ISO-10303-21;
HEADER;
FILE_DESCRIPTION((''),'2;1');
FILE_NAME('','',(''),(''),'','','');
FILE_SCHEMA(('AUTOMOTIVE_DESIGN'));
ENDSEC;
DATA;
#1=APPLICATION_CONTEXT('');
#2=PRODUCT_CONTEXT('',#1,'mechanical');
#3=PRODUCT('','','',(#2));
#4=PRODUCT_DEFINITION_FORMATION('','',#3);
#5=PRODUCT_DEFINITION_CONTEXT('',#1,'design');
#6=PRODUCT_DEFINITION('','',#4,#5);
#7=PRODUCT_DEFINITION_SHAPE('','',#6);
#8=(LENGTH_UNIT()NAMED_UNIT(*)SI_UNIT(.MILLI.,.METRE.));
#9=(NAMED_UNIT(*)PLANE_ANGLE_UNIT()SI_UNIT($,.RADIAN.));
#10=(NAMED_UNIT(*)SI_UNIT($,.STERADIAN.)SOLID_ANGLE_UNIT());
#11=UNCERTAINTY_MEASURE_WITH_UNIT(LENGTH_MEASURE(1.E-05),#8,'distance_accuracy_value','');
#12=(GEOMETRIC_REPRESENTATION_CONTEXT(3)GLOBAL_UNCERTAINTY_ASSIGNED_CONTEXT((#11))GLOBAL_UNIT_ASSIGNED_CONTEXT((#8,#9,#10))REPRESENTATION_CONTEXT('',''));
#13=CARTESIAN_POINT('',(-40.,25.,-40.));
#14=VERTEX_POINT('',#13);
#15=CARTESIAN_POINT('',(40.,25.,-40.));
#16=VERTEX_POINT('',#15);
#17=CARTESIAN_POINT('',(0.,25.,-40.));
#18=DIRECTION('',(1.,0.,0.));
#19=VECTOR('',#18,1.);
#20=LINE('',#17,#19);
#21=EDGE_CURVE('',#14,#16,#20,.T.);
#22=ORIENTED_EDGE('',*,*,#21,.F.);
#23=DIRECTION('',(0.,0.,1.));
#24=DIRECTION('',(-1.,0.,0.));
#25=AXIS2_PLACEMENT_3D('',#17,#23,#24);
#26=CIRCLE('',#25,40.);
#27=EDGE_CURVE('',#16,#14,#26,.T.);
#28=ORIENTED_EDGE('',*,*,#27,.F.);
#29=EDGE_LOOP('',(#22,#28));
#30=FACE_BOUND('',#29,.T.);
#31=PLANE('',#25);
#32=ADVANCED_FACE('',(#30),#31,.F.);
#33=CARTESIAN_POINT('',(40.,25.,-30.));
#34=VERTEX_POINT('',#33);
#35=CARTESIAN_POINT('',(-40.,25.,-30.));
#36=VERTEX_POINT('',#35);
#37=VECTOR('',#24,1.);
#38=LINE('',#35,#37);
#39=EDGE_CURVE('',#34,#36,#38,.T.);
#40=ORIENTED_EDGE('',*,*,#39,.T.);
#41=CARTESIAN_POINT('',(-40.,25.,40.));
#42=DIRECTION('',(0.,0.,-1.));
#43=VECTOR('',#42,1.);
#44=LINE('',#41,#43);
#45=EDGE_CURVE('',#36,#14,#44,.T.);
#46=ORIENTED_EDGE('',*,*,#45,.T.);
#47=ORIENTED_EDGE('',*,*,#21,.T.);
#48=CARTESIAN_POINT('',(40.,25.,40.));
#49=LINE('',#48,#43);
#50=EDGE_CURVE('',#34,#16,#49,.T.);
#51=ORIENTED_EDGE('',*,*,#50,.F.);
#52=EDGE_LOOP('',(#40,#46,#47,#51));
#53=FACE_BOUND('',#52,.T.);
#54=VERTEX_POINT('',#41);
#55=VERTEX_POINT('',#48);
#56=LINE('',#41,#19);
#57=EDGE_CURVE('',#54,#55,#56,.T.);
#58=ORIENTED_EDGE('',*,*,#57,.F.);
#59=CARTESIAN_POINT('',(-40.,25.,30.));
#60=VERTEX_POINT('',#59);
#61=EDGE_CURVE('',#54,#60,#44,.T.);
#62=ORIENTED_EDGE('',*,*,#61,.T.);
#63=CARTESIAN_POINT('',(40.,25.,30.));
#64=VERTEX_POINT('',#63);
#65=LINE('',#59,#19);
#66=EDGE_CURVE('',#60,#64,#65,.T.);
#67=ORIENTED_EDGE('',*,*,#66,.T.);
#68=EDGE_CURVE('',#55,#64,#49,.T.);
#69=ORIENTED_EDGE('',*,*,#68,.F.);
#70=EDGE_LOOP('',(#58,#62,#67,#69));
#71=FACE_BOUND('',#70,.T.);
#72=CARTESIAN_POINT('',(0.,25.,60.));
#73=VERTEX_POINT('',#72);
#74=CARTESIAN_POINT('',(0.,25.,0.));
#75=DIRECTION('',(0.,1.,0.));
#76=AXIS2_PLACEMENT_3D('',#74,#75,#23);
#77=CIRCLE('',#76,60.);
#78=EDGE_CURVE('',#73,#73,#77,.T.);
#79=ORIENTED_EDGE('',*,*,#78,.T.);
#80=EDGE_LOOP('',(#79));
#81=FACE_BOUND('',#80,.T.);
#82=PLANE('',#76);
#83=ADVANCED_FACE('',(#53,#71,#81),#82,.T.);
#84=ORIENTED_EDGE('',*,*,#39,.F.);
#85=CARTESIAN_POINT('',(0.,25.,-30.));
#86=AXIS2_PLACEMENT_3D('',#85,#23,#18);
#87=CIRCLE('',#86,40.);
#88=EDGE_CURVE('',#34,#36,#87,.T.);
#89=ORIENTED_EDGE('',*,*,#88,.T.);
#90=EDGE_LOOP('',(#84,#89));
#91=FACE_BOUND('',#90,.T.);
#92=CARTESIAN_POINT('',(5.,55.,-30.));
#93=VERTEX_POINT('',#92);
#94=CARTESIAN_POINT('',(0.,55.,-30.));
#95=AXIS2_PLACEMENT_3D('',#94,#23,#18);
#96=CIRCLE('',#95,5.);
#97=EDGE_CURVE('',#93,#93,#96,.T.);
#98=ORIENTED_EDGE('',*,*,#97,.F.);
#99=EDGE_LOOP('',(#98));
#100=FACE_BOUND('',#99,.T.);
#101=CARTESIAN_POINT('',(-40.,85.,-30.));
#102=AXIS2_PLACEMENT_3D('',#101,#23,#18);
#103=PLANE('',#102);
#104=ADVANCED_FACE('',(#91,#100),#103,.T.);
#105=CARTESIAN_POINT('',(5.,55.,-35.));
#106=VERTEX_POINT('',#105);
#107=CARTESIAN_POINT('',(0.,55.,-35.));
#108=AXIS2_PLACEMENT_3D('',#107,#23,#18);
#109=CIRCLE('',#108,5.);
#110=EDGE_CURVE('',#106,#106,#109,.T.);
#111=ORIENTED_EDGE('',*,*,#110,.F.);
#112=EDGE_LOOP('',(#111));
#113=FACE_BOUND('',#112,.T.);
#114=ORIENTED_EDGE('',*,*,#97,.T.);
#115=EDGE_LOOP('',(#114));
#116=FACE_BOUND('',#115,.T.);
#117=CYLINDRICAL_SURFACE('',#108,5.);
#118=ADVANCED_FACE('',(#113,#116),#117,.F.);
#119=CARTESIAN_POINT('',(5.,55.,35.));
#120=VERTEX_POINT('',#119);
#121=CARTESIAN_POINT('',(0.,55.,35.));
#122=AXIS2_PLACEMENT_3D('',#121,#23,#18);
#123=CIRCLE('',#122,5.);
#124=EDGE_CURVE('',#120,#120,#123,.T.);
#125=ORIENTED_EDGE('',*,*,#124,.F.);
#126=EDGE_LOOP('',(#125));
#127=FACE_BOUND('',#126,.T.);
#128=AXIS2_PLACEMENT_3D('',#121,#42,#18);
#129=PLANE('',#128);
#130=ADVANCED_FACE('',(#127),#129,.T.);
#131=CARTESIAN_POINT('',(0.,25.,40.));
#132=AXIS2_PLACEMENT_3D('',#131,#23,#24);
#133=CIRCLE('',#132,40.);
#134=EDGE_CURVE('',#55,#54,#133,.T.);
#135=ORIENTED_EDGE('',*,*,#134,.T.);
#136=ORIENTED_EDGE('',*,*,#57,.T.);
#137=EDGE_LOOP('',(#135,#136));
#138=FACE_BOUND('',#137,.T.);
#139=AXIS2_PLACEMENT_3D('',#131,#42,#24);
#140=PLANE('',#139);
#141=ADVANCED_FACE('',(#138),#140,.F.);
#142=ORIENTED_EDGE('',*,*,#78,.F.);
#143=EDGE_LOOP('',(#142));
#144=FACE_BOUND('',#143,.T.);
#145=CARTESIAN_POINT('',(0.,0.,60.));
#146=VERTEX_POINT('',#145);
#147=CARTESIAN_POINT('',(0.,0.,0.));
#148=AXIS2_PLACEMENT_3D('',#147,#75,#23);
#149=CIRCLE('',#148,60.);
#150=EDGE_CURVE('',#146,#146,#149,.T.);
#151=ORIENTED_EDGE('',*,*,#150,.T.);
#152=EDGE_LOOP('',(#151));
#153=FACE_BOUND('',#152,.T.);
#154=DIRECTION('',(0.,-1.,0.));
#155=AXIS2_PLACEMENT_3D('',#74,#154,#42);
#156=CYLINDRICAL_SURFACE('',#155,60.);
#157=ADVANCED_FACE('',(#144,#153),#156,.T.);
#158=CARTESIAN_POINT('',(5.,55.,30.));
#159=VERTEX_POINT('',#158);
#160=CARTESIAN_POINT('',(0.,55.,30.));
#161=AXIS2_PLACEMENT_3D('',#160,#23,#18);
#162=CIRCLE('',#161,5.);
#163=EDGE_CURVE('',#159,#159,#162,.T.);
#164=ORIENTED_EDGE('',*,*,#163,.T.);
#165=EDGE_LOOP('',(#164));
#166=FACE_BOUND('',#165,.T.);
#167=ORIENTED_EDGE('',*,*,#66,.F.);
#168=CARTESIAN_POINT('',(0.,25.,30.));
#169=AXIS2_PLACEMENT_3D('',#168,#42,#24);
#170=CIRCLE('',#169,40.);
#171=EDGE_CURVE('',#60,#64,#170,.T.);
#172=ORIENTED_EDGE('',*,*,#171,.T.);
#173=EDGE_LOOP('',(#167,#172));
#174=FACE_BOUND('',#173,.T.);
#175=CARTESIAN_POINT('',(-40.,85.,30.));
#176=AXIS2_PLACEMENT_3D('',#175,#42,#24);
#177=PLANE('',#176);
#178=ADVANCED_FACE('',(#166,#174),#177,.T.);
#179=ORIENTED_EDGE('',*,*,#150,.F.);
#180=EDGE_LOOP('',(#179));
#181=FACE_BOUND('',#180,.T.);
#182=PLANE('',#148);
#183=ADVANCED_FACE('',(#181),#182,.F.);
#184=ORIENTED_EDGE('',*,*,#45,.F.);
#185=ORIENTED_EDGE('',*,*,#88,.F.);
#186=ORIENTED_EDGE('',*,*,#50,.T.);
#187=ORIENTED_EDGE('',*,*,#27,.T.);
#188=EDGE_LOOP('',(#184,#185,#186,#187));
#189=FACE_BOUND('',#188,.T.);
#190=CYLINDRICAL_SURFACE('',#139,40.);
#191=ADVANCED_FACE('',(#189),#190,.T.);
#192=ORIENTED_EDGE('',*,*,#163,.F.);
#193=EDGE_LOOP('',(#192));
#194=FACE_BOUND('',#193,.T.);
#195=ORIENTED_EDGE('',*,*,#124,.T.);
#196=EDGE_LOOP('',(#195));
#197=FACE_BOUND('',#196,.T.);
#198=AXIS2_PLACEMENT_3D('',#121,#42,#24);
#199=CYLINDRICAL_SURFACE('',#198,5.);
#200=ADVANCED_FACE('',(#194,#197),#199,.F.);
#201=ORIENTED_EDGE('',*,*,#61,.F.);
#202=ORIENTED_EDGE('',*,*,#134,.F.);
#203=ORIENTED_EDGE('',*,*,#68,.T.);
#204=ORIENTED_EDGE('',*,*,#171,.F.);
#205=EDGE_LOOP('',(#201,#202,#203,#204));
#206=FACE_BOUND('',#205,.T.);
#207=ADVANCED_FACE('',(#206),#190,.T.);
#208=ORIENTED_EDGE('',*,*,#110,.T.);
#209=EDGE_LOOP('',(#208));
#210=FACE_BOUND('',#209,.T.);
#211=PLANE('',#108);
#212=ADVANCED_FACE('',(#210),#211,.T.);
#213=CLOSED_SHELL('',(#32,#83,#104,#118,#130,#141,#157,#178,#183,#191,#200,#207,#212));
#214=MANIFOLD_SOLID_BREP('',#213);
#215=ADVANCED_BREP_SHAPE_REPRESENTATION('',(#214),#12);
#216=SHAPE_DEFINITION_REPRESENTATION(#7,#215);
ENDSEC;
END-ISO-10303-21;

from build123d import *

# Parameters (mm, degrees)
SKETCH1_R           = 60
BOSS_EXTRUDE1_DEPTH = 25
BOSS_EXTRUDE2_DEPTH = 40
SKETCH3_W           = 80
SKETCH3_H           = 60
CUT_EXTRUDE1_DEPTH  = 60
SKETCH4_R           = 5
CUT_EXTRUDE2_DEPTH  = 5


with BuildPart() as part:
    # Sketch1 → Boss-Extrude1 (new body)
    with BuildSketch(Plane(origin=(0, 0, 0), x_dir=(1, 0, 0), z_dir=(0, 1, 0))):
        Circle(SKETCH1_R)
    extrude(amount=BOSS_EXTRUDE1_DEPTH)

    # Sketch2 → Boss-Extrude2 (add)
    with BuildSketch(Plane.XY):
        with BuildLine():
            Line((-40, 25), (0, 25))
            Line((0, 25), (40, 25))
            ThreePointArc((40, 25), (0, 65), (-40, 25))
        make_face()
    boss_extrude2 = extrude(amount=BOSS_EXTRUDE2_DEPTH)

    # Mirror1: Boss-Extrude2 across plane
    add(boss_extrude2.mirror(Plane(origin=(0, 0, 0), x_dir=(1, 0, 0), z_dir=(0, 0, -1))))

    # Sketch3 → Cut-Extrude1 (cut)
    with BuildSketch(Plane(origin=(0, 25, 0), x_dir=(1, 0, 0), z_dir=(0, 1, 0))):
        Rectangle(SKETCH3_W, SKETCH3_H)
    extrude(amount=CUT_EXTRUDE1_DEPTH, mode=Mode.SUBTRACT)

    # Sketch4 → Cut-Extrude2 (cut)
    with BuildSketch(Plane.XY.offset(-30)):
        with Locations((0, 55)):
            Circle(SKETCH4_R)
    cut_extrude2 = extrude(amount=-CUT_EXTRUDE2_DEPTH, mode=Mode.SUBTRACT)

    # Mirror2: Cut-Extrude2 across plane
    add(cut_extrude2.mirror(Plane(origin=(0, 0, 0), x_dir=(1, 0, 0), z_dir=(0, 0, -1))), mode=Mode.SUBTRACT)


solid = part.part
